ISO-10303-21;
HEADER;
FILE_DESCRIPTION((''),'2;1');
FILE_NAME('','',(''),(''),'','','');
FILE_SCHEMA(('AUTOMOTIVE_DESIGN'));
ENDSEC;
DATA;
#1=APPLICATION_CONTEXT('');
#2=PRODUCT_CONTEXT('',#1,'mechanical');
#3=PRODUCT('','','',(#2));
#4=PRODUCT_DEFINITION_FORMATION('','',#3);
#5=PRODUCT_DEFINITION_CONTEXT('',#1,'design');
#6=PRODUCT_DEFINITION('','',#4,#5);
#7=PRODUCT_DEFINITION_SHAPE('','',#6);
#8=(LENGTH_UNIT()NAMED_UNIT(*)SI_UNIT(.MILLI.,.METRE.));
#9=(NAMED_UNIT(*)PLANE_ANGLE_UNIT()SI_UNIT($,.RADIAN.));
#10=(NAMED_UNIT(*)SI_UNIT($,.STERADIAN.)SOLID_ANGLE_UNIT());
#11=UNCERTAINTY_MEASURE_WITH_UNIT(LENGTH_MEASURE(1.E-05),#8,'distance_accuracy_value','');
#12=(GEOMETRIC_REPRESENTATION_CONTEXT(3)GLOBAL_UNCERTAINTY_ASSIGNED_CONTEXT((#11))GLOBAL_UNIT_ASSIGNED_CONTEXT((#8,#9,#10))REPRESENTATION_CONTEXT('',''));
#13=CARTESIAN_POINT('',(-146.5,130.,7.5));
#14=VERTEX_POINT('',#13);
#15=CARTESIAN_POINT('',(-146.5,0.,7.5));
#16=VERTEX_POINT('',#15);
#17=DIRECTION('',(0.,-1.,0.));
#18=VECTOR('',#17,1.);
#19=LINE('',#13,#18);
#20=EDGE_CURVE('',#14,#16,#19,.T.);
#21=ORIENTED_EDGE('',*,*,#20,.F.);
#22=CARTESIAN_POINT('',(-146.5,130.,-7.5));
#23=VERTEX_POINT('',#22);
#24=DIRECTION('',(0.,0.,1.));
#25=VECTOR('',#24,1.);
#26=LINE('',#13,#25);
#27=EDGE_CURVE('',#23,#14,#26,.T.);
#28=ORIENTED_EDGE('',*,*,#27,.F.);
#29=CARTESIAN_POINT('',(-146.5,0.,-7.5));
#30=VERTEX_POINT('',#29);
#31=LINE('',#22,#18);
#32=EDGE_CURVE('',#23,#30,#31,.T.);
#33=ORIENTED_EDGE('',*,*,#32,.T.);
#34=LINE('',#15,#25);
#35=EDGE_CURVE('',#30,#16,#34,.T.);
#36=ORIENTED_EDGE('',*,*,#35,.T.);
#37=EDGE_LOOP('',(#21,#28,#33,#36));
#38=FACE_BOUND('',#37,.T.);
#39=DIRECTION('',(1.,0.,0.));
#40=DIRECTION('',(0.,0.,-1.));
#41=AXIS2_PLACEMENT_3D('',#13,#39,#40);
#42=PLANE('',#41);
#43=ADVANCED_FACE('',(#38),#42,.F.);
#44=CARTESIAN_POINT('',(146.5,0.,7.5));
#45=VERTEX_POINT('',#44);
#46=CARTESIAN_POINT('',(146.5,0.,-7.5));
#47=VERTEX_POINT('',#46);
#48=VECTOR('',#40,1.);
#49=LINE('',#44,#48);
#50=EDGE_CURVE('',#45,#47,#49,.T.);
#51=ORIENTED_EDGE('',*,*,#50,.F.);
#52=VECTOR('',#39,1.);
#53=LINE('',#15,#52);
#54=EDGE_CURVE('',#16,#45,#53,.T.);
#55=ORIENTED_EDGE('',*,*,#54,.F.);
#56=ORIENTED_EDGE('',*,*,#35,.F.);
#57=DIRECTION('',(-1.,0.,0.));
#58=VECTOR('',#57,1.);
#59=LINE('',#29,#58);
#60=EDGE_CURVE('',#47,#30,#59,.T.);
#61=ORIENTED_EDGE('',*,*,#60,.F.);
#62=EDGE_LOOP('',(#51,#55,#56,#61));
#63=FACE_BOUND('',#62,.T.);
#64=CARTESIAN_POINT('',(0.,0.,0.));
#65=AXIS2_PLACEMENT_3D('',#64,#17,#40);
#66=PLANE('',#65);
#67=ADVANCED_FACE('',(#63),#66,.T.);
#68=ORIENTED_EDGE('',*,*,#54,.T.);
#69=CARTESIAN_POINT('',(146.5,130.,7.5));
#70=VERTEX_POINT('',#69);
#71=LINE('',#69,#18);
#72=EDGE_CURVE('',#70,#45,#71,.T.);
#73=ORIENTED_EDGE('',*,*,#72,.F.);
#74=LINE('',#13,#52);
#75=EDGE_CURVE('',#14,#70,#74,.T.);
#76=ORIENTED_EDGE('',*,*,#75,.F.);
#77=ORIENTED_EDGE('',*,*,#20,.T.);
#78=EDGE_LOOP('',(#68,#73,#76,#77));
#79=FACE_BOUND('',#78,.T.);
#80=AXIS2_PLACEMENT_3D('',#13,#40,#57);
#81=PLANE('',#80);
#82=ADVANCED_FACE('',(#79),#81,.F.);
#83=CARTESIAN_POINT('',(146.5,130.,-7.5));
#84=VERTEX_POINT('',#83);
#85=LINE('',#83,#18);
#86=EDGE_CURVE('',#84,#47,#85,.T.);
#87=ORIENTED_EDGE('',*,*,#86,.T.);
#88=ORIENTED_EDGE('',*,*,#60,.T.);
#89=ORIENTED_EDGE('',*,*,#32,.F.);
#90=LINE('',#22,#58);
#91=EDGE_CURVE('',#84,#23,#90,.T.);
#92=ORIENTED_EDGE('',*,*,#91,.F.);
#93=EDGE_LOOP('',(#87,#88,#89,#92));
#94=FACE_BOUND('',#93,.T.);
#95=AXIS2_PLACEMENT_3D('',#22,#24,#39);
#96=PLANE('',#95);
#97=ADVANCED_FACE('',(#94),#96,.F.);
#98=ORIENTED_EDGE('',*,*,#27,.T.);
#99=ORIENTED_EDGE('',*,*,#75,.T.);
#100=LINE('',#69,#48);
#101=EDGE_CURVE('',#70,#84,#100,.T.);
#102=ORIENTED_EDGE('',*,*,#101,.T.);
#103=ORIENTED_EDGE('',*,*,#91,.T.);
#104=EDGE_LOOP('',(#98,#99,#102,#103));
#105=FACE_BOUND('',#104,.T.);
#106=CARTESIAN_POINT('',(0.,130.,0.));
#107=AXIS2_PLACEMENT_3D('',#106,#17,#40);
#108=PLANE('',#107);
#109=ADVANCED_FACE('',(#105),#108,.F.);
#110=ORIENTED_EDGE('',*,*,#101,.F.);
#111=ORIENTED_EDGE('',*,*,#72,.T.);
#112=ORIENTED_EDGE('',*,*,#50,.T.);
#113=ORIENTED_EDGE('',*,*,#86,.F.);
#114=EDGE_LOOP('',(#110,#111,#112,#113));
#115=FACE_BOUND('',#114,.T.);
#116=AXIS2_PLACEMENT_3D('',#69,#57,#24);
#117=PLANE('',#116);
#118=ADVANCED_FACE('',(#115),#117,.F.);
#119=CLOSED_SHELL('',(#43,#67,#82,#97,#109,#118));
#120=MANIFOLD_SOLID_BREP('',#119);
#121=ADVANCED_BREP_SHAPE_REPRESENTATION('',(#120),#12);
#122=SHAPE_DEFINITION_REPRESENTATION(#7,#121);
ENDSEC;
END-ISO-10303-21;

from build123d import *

# Parameters (mm, degrees)
SZKIC1_W                    = 293
SZKIC1_H                    = 15
DODANIE_WYCI_GNI_CIE1_DEPTH = 130


with BuildPart() as part:
    # Szkic1 → Dodanie-wyciągnięcie1 (new body)
    with BuildSketch(Plane(origin=(0, 0, 0), x_dir=(1, 0, 0), z_dir=(0, 1, 0))):
        Rectangle(SZKIC1_W, SZKIC1_H)
    extrude(amount=DODANIE_WYCI_GNI_CIE1_DEPTH)


solid = part.part
